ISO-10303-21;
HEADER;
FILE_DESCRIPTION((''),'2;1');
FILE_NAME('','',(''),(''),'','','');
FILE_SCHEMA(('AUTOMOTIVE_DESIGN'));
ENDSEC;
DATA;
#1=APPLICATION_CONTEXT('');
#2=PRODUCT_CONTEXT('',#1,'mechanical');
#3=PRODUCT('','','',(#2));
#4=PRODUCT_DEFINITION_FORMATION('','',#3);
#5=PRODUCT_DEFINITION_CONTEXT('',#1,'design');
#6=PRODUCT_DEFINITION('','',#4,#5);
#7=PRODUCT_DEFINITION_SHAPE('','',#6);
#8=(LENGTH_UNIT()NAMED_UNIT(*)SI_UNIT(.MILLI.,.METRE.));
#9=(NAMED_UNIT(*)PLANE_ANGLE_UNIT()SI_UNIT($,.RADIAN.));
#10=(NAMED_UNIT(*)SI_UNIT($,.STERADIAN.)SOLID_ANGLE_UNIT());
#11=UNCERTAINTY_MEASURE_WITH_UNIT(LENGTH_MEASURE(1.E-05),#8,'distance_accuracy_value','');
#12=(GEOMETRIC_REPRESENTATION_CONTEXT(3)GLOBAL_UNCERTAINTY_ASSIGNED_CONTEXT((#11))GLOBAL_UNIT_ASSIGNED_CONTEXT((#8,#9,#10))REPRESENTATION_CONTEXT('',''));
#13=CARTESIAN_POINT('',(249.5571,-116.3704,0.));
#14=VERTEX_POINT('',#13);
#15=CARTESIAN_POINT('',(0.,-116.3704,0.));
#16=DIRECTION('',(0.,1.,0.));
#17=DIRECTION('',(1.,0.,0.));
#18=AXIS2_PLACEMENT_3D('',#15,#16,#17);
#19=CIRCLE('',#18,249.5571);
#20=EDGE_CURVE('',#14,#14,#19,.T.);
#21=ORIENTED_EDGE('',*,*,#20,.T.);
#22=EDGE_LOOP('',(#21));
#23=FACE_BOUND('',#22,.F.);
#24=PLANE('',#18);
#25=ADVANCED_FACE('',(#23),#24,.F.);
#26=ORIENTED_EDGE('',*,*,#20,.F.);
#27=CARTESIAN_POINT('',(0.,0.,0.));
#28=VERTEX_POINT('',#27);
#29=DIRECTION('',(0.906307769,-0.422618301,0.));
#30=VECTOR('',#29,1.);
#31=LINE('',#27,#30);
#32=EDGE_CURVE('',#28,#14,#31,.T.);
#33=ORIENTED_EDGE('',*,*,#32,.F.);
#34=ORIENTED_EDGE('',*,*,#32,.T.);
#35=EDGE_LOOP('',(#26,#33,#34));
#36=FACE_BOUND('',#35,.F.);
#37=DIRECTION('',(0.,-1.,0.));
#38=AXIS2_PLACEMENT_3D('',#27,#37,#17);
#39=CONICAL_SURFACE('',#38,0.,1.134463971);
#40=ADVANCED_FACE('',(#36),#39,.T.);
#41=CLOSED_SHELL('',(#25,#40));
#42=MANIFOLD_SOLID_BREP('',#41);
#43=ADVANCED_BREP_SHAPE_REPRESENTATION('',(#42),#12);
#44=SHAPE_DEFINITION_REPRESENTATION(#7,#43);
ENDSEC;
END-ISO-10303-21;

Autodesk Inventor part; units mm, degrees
ref_plane "YZ Plane" through (0, 0, 0) normal (1, 0, 0) x (0, 1, 0)
ref_plane "XZ Plane" through (0, 0, 0) normal (0, 1, 0) x (-1, 0, 0)
ref_plane "XY Plane" through (0, 0, 0) normal (0, 0, 1) x (1, 0, 0)
sketch "Эскиз1" plane through (0, 0, 0) normal (0, 0, 1) x (1, 0, 0)
  line L0 (0, 0) -> (249.5571, -116.3704)
  line L1 (0, 0) -> (275.3558, 0) construction
  line L2 (249.5571, -116.3704) -> (0, -116.3704)
  line L3 (0, -116.3704) -> (0, 0)
  dimension "d0" = 25
revolve "Вращение1" add sketch "Эскиз1" angle 360 about axis through (0, -116.3704, 0) along (0, 1, 0)
properties part number "lidar lidimost"
